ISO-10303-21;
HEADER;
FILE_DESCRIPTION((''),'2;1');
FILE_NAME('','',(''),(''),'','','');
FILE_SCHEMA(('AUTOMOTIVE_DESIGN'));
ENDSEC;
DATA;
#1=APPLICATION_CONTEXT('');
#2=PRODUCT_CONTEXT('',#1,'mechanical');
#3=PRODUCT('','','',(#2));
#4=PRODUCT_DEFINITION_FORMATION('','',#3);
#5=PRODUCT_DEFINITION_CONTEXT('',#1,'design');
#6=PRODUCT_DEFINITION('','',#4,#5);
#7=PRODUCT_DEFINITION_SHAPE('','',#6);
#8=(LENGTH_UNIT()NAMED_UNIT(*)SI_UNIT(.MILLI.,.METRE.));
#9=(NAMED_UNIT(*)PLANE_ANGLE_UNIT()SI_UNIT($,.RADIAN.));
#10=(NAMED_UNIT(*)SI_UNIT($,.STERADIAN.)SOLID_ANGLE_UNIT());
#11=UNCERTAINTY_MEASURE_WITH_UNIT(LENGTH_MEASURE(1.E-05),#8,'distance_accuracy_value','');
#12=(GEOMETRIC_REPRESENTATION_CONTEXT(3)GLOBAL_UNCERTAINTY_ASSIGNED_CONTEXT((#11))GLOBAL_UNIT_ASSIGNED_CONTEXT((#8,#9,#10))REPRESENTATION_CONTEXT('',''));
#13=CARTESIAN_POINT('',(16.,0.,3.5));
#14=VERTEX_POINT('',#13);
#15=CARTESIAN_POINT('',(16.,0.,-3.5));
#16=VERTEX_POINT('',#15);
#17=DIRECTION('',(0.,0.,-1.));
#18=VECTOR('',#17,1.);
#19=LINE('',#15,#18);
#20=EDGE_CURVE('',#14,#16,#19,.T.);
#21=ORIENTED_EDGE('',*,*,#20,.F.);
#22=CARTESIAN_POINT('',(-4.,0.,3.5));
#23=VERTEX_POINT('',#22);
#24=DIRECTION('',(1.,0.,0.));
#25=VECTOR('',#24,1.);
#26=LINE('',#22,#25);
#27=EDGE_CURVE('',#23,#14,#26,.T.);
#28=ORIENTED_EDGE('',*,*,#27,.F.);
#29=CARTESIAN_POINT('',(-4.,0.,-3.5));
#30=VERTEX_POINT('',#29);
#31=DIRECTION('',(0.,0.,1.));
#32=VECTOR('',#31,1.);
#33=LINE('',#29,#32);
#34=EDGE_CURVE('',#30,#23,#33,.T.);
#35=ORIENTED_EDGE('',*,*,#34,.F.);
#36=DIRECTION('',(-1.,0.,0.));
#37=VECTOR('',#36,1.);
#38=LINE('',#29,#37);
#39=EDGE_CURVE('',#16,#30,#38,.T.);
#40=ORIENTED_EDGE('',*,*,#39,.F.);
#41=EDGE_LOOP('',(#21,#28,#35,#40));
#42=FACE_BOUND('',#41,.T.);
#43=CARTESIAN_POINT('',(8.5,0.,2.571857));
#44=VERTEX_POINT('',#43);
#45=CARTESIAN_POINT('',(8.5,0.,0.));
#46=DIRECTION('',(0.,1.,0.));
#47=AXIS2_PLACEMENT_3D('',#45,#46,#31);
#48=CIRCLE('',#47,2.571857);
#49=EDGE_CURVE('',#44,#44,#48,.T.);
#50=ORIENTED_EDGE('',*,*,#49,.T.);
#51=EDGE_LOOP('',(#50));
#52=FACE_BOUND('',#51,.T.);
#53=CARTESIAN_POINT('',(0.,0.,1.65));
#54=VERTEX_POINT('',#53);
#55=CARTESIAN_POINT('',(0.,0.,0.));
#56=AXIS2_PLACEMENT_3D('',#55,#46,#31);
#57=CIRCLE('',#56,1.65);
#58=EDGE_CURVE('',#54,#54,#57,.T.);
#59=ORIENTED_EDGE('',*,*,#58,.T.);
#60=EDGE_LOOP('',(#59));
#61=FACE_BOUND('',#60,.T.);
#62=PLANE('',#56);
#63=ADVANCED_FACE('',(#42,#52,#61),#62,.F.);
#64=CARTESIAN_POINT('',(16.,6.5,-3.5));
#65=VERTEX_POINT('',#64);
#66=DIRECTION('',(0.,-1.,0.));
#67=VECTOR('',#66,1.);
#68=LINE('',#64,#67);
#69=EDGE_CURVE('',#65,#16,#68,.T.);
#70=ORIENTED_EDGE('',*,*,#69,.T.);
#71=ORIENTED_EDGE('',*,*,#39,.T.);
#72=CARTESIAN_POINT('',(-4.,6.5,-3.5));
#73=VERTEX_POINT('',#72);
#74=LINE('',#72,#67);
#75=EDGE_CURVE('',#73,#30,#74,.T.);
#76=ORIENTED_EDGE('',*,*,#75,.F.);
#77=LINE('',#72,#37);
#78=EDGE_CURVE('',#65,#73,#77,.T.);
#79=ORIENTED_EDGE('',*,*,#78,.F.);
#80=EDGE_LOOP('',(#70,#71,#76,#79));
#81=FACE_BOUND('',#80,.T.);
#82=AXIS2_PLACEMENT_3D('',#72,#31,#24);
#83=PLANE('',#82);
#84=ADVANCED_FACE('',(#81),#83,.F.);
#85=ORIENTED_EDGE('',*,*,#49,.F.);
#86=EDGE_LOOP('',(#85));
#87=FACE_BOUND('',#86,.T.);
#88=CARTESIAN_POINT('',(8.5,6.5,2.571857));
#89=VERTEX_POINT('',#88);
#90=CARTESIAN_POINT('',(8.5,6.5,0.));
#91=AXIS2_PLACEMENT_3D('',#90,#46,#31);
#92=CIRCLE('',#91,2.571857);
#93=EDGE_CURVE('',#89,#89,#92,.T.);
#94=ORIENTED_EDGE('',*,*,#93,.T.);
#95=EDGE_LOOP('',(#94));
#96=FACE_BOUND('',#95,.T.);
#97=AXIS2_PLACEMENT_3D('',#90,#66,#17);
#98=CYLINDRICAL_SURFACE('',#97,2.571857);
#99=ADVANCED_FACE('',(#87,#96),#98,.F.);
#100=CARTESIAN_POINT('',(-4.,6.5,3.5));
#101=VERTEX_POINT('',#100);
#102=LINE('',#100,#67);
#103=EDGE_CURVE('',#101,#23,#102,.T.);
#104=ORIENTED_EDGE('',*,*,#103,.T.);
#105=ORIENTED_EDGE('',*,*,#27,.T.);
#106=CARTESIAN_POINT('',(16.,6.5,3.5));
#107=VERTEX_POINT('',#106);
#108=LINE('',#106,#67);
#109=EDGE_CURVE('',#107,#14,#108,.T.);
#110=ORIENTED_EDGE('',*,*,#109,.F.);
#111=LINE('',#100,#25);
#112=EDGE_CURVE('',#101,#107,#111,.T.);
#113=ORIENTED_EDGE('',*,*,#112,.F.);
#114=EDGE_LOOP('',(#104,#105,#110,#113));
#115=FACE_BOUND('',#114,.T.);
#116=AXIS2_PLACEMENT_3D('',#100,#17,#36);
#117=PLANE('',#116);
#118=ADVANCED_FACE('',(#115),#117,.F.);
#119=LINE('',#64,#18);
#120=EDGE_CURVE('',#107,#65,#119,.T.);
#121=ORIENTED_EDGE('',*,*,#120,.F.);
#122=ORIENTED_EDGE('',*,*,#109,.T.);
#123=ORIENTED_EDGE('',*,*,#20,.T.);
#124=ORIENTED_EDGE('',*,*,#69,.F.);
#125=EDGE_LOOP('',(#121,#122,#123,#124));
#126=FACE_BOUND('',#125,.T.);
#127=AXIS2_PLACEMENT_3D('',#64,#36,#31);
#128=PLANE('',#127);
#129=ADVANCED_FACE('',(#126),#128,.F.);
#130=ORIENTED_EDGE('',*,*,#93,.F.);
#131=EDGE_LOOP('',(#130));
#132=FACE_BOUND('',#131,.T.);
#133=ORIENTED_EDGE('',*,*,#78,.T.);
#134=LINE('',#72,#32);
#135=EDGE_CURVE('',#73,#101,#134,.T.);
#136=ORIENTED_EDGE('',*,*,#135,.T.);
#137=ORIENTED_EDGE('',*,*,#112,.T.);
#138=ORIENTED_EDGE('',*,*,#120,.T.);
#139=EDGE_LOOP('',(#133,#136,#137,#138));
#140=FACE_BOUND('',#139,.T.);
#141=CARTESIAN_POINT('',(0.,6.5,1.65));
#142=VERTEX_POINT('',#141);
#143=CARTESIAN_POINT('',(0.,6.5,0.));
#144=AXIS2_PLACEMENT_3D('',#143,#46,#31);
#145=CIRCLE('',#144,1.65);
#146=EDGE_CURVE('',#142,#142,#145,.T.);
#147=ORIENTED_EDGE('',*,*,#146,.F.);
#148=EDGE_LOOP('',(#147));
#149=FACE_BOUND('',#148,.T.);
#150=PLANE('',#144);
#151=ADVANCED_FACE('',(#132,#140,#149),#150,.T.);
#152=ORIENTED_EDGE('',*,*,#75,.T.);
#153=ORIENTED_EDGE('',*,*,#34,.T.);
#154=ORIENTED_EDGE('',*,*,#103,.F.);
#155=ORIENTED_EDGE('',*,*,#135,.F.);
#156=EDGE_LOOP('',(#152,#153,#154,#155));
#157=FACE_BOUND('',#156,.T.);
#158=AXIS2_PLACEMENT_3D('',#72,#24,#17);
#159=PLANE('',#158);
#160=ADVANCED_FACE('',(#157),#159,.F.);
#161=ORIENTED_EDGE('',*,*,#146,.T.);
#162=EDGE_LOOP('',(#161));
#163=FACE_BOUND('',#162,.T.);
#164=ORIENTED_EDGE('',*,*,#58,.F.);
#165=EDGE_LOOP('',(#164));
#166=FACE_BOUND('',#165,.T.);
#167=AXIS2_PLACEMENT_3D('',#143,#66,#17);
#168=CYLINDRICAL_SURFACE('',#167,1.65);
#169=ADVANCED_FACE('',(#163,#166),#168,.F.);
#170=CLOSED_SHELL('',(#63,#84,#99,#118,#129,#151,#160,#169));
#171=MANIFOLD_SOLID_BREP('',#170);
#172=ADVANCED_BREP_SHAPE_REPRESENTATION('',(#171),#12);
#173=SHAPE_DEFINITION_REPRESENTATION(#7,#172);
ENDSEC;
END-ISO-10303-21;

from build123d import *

# Parameters (mm, degrees)
SKETCH1_W           = 20
SKETCH1_H           = 7
SKETCH1_R           = 1.65
SKETCH1_R_2         = 2.571857311
BOSS_EXTRUDE1_DEPTH = 6.5


with BuildPart() as part:
    # Sketch1 → Boss-Extrude1 (new body)
    with BuildSketch(Plane(origin=(0, 0, 0), x_dir=(1, 0, 0), z_dir=(0, 1, 0))):
        with Locations((6, 0)):
            Rectangle(SKETCH1_W, SKETCH1_H)
        Circle(SKETCH1_R, mode=Mode.SUBTRACT)
        with Locations((8.5, 0)):
            Circle(SKETCH1_R_2, mode=Mode.SUBTRACT)
    extrude(amount=BOSS_EXTRUDE1_DEPTH)


solid = part.part
